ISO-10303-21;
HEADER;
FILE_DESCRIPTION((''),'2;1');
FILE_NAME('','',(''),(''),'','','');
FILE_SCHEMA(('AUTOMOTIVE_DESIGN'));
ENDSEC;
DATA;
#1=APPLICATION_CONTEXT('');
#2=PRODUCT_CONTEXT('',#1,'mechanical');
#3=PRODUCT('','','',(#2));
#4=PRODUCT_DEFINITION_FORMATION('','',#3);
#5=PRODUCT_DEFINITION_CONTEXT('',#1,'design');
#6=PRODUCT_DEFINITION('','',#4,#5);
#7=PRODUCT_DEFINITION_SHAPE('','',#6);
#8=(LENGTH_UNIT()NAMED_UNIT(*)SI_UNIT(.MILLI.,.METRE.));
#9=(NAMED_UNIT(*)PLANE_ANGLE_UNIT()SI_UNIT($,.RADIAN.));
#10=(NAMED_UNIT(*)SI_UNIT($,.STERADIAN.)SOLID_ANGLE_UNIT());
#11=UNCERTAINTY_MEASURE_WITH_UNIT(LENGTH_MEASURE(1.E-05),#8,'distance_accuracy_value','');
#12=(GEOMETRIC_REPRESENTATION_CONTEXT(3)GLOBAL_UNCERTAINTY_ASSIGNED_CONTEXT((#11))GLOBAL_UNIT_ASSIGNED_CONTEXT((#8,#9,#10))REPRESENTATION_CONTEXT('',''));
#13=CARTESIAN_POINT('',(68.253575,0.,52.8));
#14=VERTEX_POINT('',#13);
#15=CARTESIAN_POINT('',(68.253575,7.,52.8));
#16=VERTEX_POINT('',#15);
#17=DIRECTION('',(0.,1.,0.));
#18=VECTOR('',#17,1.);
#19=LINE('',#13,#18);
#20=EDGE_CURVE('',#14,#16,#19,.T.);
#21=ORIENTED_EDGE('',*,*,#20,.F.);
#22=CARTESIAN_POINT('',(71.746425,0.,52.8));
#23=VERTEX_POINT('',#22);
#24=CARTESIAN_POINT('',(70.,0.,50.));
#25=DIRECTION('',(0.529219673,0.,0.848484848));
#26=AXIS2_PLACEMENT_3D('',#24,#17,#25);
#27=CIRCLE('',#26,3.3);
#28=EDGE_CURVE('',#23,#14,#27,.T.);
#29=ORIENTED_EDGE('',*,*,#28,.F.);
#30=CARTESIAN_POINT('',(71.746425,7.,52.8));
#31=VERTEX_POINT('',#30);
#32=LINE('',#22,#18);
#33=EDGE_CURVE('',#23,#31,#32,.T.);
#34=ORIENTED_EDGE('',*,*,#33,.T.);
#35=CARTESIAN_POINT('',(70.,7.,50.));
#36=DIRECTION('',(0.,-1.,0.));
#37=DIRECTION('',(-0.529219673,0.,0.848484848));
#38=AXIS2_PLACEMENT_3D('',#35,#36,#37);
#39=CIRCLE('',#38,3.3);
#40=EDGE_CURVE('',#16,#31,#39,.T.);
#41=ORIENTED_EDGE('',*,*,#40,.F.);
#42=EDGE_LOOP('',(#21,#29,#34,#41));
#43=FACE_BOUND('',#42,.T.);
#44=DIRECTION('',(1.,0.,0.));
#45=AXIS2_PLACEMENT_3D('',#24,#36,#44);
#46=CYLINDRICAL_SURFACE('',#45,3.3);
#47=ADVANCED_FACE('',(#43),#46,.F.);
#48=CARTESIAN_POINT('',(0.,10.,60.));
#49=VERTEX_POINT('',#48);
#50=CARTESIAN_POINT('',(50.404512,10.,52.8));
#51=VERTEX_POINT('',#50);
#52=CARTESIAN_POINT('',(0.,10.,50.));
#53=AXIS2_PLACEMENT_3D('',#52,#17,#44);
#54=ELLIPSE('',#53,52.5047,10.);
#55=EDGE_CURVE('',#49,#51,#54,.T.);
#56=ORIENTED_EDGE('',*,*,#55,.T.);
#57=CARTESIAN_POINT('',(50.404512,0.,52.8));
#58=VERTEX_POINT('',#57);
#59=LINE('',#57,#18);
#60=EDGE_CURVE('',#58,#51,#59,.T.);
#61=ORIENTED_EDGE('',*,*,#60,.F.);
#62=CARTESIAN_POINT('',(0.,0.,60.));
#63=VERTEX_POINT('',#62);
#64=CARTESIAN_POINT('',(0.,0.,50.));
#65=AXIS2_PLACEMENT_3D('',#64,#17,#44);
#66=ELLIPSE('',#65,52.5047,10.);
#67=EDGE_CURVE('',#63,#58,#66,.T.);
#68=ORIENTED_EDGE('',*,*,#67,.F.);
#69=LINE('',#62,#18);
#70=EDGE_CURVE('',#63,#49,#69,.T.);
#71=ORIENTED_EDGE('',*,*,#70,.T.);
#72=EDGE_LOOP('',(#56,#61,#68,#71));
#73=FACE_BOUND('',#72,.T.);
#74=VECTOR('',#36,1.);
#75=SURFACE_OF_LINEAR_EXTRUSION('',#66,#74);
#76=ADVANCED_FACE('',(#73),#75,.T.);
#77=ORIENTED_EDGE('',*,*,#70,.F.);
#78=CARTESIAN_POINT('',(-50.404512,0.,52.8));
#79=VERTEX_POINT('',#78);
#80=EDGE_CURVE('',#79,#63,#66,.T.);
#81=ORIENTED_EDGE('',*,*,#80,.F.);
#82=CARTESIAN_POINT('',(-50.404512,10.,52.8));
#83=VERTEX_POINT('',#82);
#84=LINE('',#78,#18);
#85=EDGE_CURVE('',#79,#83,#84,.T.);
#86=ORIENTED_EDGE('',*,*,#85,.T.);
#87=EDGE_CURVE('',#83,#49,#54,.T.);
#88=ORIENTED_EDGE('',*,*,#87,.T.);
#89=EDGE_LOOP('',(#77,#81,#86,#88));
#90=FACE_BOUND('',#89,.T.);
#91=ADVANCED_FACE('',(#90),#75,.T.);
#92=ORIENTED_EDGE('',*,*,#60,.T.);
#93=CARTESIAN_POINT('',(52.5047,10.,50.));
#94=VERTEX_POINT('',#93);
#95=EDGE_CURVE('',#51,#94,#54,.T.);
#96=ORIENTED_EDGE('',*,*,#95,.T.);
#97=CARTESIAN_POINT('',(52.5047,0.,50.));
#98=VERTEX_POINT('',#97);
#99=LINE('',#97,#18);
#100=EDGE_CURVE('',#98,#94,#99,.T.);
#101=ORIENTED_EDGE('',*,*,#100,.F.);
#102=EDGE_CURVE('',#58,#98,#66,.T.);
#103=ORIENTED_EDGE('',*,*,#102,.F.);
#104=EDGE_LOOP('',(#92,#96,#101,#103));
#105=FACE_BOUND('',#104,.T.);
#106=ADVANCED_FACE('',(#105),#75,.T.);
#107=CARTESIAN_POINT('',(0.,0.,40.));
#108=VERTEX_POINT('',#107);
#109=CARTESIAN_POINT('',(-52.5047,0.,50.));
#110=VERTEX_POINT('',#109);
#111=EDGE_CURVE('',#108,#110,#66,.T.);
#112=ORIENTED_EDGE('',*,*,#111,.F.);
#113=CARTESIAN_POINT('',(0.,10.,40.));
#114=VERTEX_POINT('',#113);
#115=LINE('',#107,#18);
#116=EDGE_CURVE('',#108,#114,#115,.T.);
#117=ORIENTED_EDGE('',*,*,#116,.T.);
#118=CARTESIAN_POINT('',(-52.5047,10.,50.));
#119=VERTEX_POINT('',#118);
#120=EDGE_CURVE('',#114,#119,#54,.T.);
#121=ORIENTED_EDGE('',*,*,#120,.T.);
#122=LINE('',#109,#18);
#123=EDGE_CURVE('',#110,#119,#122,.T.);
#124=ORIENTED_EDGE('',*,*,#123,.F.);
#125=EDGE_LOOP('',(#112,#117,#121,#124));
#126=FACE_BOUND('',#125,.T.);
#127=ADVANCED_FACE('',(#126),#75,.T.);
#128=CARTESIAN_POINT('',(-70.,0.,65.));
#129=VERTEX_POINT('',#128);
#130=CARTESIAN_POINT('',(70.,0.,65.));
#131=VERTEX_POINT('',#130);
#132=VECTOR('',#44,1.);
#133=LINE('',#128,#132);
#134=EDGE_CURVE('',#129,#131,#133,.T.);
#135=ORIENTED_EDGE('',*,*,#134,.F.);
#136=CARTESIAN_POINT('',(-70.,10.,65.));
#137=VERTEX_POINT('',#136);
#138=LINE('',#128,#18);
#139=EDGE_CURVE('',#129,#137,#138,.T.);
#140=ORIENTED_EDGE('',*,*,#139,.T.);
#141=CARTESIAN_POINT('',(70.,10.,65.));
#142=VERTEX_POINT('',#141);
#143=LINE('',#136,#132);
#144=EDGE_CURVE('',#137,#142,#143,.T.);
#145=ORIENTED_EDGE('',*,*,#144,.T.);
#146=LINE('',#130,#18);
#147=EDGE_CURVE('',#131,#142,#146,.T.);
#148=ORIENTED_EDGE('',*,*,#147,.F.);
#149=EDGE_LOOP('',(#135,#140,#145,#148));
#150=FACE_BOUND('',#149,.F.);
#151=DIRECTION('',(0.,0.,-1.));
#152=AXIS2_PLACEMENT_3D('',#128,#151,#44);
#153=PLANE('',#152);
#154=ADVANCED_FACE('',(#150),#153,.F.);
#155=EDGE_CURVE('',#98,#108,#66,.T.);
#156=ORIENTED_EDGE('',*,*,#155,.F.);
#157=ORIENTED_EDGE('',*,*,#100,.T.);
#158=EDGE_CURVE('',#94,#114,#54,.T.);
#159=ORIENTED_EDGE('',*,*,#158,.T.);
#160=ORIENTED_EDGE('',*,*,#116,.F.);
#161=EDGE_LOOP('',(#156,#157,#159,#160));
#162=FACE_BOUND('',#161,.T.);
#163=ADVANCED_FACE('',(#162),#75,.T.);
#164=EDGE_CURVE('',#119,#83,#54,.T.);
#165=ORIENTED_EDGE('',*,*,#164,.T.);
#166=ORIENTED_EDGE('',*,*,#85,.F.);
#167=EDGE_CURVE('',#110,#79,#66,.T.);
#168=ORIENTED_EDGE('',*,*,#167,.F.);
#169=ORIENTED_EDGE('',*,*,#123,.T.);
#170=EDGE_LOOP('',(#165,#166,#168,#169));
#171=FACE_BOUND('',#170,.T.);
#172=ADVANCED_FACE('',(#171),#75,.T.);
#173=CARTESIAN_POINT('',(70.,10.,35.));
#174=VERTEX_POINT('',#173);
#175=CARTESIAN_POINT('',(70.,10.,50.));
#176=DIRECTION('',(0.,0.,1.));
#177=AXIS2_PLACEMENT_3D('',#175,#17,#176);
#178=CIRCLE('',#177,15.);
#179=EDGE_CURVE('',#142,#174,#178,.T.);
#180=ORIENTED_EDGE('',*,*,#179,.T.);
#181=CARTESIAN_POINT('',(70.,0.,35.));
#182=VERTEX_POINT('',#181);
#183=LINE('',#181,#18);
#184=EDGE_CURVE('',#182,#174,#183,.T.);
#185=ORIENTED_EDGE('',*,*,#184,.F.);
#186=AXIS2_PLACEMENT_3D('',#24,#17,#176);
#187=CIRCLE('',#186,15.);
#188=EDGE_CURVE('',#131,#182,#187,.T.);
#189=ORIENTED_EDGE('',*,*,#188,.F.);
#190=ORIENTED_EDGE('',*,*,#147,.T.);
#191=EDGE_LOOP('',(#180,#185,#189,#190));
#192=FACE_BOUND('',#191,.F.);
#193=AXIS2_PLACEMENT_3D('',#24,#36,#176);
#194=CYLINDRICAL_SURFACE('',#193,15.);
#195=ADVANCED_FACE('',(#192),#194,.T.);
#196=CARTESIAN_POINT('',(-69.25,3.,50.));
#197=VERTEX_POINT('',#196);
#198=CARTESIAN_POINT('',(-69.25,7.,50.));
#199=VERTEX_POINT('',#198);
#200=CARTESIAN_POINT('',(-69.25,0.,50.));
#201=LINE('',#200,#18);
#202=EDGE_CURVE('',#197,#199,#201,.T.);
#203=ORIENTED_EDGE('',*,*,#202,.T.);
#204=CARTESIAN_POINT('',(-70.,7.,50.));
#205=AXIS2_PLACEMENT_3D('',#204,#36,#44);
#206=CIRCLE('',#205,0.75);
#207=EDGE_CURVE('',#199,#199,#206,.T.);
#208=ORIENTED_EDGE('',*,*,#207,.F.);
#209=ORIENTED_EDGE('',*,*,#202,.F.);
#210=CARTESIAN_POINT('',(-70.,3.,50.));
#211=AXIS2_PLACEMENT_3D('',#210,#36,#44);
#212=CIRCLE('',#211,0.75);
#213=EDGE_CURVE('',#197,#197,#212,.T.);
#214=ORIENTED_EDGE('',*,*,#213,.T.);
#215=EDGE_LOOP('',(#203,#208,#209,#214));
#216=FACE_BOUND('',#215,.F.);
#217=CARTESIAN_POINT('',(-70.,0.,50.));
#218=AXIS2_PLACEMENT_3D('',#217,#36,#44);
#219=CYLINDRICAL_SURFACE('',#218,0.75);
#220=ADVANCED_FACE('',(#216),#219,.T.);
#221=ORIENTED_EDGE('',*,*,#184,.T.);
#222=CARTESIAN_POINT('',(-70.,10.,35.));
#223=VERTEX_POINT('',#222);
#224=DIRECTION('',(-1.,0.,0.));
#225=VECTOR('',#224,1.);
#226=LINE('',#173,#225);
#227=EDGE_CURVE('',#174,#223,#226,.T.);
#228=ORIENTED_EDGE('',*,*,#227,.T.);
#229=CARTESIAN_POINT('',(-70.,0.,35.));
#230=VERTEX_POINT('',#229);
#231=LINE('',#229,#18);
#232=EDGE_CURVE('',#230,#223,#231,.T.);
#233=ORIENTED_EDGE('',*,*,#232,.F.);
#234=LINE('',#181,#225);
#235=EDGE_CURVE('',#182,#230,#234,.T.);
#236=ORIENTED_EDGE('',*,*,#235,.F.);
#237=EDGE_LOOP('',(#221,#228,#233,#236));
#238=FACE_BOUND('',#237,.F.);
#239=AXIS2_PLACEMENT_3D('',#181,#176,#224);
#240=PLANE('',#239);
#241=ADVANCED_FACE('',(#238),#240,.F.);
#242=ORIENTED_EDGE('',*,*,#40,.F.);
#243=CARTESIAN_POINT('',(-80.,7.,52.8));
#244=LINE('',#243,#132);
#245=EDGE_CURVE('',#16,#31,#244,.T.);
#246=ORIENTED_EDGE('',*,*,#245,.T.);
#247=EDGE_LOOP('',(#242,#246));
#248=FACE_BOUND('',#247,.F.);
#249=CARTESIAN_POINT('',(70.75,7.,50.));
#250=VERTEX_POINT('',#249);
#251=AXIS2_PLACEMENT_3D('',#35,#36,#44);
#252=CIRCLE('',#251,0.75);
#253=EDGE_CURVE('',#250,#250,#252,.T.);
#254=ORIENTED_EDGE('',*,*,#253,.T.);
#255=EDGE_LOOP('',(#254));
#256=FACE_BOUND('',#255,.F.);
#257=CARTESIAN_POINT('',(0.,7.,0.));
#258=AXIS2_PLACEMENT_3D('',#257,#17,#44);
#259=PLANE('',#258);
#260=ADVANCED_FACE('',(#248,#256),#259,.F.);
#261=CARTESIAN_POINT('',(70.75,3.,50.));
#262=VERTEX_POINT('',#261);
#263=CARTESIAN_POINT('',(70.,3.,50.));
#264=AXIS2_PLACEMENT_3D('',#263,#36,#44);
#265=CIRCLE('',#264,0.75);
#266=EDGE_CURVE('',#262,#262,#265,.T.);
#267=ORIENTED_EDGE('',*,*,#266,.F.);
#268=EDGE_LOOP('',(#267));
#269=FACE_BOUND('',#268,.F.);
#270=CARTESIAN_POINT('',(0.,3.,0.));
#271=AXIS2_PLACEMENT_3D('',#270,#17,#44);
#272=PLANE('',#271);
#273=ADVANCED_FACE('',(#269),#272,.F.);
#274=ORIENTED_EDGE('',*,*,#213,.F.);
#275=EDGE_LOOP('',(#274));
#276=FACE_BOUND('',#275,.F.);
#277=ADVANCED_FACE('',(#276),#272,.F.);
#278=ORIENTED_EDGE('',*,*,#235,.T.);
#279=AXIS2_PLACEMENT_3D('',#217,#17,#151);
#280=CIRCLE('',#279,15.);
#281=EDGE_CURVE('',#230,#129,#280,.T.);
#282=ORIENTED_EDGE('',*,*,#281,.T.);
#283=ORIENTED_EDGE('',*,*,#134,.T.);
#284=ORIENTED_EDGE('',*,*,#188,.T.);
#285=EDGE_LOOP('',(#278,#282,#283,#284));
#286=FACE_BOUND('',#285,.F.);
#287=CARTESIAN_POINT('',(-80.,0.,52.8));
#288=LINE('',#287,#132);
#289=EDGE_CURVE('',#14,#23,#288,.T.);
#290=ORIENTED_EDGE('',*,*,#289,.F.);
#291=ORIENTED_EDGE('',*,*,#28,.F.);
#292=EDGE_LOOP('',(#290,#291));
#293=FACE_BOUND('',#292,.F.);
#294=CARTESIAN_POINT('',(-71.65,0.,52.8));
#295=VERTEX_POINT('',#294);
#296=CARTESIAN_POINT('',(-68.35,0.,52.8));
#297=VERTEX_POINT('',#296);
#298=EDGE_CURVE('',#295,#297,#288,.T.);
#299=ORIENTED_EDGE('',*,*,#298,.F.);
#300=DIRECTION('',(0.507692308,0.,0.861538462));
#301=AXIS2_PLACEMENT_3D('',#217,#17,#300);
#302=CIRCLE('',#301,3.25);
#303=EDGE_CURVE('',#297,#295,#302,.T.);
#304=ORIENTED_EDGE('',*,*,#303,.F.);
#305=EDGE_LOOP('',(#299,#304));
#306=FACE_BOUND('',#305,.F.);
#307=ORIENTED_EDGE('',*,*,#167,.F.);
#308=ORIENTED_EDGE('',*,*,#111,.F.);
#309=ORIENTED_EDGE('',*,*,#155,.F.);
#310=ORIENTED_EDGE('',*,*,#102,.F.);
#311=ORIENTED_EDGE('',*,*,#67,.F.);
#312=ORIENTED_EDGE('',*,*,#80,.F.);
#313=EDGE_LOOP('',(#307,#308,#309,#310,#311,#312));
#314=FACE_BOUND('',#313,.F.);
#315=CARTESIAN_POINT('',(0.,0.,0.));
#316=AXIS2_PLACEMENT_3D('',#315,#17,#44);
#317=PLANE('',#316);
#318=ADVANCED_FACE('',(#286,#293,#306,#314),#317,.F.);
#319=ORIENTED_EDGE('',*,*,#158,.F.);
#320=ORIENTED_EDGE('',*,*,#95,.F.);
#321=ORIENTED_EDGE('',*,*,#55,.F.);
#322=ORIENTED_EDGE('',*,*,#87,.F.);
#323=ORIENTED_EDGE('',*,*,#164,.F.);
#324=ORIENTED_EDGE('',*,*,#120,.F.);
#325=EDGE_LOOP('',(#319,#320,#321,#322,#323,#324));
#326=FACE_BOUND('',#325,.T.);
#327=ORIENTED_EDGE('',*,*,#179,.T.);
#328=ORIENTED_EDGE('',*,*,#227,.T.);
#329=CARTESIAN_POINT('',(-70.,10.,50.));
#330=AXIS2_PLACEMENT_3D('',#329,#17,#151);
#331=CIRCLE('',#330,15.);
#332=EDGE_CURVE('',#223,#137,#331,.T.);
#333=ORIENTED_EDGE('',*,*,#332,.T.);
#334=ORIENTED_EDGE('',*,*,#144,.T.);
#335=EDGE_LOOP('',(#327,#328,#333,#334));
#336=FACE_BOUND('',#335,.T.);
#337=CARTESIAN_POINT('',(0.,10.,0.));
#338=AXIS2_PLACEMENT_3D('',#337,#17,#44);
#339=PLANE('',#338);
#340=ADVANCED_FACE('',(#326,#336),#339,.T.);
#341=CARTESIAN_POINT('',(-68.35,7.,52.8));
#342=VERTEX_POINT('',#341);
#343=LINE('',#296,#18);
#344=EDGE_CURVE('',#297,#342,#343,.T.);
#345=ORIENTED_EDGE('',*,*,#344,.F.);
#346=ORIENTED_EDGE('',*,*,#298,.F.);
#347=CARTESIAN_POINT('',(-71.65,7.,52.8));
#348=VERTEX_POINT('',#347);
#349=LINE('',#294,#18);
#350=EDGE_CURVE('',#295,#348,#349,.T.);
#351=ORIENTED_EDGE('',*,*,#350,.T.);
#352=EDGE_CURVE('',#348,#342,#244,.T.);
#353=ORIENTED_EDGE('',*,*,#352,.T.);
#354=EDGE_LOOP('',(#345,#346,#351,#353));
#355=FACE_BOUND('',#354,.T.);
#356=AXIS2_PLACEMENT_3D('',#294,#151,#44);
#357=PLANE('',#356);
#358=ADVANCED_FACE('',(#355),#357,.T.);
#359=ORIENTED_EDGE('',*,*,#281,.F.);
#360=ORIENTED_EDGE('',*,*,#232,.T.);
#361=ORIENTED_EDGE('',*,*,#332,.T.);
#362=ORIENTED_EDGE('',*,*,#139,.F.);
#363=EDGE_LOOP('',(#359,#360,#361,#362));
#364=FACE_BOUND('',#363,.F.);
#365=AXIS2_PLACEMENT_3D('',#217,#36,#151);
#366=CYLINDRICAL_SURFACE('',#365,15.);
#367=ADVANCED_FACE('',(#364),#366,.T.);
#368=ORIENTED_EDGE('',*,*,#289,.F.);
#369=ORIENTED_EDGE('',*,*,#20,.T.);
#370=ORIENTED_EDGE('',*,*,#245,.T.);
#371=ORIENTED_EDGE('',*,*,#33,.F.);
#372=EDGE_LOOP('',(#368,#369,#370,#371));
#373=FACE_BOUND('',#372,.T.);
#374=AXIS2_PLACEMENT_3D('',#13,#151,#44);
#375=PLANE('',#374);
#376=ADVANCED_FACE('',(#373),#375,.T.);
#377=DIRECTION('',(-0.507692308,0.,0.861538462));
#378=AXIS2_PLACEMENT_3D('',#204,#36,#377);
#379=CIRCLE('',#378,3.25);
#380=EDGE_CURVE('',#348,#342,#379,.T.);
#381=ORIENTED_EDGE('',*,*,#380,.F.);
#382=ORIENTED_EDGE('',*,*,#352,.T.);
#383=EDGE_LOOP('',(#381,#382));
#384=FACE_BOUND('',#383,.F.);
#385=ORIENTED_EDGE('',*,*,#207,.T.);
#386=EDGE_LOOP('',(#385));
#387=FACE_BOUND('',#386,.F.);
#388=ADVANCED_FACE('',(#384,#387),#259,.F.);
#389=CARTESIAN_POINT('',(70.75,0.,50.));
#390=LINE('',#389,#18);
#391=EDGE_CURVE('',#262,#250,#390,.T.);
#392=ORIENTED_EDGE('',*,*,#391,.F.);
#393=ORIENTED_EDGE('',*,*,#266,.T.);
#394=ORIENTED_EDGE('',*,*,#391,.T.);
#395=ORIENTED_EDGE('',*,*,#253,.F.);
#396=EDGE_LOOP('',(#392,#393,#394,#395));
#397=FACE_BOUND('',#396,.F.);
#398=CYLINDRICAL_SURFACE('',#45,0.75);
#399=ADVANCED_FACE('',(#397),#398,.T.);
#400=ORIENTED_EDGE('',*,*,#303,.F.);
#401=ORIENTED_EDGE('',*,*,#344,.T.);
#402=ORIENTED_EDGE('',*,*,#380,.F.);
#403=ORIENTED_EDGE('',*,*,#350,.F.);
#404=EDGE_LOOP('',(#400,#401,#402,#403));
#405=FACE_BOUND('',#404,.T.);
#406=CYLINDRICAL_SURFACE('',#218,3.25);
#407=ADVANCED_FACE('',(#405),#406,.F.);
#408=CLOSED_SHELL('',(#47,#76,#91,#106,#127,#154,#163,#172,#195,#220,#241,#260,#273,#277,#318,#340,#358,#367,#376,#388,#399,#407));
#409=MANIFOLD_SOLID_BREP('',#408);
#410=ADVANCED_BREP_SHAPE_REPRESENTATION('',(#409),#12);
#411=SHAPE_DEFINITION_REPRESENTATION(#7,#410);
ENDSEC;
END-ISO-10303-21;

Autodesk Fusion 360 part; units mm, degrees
sketch "Sketch2" plane through (0, 0, 0) normal (0, 1, 0) x (1, 0, 0)
  line L0 (0, -50) -> (80, -50)
  line L1 (0, -50) -> (-80, -50)
  line L2 (-80, -52.8) -> (80, -52.8)
  circle A0 centre (70, -50) radius 3.3
  circle A1 centre (-70, -50) radius 3.25
  line L3 (-70, -65) -> (70, -65)
  arc A2 (70, -65) -> (70, -35) centre (70, -50) ccw
  line L4 (70, -35) -> (-70, -35)
  arc A3 (-70, -35) -> (-70, -65) centre (-70, -50) ccw
  line L5 (-70, -50) -> (70, -50) construction
  ellipse E0 centre (0, -50) end of major axis (52.5047, -50) minor radius 10
  line L6 (-52.5047, -50) -> (52.5047, -50)
  line L7 (0, -60) -> (0, -40)
  circle A4 centre (-70, -50) radius 0.75
  circle A5 centre (70, -50) radius 0.75
  dimension "d7" = 80
  dimension "d8" = 80
  dimension "d9" = 2.8
  dimension "d10" = 6.6
  dimension "d11" = 6.5
  dimension "d12" = 30
  dimension "d13" = 20
  dimension "d14" = 1.5
  dimension "d15" = 1.5
extrude "Extrude1" add sketch "Sketch2" along normal blind 10 contours L0 L2 A0 E0 | L1 L2 A1 E0 | L0 A0 A5 | L0 L2 A0 A5 | L1 L2 A1 A4 | L1 A1 A4 | L0 A5 | L0 A5 | L2 A0 | L1 A4 | L1 A4 | L2 A1 | L3 A2 L4 A3
extrude "Extrude2" cut sketch "Sketch2" along normal blind 7 contours L0 A0 A5 | L0 L2 A0 A5 | L1 L2 A1 A4 | L1 A1 A4
extrude "Extrude3" cut sketch "Sketch2" along normal blind 3 contours L0 A5 | L0 A5 | L1 A4 | L1 A4
